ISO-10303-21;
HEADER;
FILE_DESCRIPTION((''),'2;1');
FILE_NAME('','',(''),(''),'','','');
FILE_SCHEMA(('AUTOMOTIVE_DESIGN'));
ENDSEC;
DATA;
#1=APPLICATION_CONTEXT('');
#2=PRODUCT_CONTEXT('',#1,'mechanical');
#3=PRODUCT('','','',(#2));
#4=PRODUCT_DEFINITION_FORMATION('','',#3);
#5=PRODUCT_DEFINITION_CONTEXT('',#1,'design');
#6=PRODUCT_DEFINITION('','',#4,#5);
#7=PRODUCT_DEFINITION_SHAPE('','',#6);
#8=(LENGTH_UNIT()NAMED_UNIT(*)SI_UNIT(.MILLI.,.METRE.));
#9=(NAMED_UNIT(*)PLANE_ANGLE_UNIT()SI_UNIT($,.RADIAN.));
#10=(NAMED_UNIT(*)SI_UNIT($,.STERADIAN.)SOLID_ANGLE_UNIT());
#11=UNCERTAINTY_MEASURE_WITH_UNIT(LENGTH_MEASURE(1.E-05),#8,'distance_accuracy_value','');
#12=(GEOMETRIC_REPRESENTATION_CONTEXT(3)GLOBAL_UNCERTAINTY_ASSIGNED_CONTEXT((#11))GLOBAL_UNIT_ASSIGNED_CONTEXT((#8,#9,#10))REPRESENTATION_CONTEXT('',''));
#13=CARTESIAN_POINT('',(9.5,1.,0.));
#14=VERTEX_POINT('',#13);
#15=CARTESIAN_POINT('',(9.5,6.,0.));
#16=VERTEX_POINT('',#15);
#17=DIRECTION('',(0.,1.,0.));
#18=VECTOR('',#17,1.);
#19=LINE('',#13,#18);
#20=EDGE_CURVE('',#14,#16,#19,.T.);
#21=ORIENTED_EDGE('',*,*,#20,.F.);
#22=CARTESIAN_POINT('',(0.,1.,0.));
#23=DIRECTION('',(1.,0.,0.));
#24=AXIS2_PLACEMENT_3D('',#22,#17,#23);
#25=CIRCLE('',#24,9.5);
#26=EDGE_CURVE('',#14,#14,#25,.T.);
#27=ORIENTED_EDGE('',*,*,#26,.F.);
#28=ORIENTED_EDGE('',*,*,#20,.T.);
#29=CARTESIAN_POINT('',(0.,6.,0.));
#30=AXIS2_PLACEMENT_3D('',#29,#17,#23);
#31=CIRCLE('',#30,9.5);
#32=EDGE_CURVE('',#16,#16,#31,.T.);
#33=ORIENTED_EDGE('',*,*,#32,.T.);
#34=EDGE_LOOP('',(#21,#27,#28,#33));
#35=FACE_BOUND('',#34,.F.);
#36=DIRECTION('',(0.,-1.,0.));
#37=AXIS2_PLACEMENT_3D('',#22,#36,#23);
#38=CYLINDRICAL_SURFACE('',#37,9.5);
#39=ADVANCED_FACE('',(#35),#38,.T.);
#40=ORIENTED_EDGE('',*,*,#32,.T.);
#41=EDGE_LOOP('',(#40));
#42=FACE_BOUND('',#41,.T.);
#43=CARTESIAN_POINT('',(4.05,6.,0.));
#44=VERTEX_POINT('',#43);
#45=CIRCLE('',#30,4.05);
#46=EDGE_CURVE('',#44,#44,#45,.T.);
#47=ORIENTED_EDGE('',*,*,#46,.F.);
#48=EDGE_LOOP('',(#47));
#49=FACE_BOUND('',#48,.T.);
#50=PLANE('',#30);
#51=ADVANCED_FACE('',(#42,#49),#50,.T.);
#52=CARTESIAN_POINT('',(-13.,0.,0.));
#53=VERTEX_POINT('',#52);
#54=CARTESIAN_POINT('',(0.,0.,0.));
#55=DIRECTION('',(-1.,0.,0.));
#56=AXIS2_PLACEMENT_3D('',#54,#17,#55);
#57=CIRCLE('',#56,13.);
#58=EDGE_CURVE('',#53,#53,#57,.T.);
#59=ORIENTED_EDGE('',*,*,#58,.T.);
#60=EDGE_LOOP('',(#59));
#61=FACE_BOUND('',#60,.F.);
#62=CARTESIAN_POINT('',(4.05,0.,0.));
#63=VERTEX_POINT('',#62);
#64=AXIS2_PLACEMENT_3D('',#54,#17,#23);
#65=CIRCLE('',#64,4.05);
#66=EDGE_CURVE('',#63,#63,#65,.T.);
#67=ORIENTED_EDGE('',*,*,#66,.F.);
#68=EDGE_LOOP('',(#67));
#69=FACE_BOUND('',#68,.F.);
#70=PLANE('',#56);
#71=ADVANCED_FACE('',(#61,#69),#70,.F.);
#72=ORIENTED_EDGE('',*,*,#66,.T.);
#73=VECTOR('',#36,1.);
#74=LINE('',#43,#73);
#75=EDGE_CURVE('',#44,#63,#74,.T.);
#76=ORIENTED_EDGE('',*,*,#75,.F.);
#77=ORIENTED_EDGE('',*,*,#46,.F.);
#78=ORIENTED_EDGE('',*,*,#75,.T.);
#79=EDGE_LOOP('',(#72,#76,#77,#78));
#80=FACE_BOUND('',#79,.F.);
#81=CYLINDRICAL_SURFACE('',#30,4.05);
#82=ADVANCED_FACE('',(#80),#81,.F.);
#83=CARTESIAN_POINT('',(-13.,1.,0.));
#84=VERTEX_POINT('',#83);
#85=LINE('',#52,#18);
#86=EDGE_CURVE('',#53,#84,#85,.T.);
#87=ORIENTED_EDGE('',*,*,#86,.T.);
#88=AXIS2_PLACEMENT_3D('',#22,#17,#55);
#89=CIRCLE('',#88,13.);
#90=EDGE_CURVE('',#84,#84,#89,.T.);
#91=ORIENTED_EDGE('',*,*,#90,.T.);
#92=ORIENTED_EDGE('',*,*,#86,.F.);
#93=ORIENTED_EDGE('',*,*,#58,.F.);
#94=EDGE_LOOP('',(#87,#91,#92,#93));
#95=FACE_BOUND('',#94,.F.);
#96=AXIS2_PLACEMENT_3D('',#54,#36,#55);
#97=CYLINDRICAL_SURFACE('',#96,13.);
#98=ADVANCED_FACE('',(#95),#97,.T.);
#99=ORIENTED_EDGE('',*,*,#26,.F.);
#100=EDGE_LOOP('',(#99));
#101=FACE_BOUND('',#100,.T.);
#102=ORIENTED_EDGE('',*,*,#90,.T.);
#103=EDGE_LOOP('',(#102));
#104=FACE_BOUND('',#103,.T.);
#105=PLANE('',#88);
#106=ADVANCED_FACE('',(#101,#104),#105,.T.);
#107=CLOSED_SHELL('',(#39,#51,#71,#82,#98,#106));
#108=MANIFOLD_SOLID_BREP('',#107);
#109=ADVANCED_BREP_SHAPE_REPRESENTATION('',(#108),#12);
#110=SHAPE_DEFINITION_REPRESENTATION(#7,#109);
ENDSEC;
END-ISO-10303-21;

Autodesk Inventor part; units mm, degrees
ref_plane "YZ Plane" through (0, 0, 0) normal (1, 0, 0) x (0, 1, 0)
ref_plane "XZ Plane" through (0, 0, 0) normal (0, 1, 0) x (-1, 0, 0)
ref_plane "XY Plane" through (0, 0, 0) normal (0, 0, 1) x (1, 0, 0)
sketch "スケッチ1" plane through (0, 0, 0) normal (0, 1, 0) x (-1, 0, 0)
  circle A0 centre (0, 0) radius 13
  dimension "d0" = 26
extrude "押し出し1" add sketch "スケッチ1" along normal blind 1
sketch "スケッチ2" plane through (0, 1, 0) normal (0, 1, 0) x (1, 0, 0)
  circle A0 centre (0, 0) radius 9.5
  dimension "d3" = 19
extrude "押し出し2" add sketch "スケッチ2" along normal blind 5
sketch "スケッチ3" plane through (0, 6, 0) normal (0, 1, 0) x (1, 0, 0)
  circle A0 centre (0, 0) radius 4.05
  dimension "d6" = 8.1
extrude "押し出し3" cut sketch "スケッチ3" against normal blind 6
properties part number "新人講習ブッシュベアリング"
